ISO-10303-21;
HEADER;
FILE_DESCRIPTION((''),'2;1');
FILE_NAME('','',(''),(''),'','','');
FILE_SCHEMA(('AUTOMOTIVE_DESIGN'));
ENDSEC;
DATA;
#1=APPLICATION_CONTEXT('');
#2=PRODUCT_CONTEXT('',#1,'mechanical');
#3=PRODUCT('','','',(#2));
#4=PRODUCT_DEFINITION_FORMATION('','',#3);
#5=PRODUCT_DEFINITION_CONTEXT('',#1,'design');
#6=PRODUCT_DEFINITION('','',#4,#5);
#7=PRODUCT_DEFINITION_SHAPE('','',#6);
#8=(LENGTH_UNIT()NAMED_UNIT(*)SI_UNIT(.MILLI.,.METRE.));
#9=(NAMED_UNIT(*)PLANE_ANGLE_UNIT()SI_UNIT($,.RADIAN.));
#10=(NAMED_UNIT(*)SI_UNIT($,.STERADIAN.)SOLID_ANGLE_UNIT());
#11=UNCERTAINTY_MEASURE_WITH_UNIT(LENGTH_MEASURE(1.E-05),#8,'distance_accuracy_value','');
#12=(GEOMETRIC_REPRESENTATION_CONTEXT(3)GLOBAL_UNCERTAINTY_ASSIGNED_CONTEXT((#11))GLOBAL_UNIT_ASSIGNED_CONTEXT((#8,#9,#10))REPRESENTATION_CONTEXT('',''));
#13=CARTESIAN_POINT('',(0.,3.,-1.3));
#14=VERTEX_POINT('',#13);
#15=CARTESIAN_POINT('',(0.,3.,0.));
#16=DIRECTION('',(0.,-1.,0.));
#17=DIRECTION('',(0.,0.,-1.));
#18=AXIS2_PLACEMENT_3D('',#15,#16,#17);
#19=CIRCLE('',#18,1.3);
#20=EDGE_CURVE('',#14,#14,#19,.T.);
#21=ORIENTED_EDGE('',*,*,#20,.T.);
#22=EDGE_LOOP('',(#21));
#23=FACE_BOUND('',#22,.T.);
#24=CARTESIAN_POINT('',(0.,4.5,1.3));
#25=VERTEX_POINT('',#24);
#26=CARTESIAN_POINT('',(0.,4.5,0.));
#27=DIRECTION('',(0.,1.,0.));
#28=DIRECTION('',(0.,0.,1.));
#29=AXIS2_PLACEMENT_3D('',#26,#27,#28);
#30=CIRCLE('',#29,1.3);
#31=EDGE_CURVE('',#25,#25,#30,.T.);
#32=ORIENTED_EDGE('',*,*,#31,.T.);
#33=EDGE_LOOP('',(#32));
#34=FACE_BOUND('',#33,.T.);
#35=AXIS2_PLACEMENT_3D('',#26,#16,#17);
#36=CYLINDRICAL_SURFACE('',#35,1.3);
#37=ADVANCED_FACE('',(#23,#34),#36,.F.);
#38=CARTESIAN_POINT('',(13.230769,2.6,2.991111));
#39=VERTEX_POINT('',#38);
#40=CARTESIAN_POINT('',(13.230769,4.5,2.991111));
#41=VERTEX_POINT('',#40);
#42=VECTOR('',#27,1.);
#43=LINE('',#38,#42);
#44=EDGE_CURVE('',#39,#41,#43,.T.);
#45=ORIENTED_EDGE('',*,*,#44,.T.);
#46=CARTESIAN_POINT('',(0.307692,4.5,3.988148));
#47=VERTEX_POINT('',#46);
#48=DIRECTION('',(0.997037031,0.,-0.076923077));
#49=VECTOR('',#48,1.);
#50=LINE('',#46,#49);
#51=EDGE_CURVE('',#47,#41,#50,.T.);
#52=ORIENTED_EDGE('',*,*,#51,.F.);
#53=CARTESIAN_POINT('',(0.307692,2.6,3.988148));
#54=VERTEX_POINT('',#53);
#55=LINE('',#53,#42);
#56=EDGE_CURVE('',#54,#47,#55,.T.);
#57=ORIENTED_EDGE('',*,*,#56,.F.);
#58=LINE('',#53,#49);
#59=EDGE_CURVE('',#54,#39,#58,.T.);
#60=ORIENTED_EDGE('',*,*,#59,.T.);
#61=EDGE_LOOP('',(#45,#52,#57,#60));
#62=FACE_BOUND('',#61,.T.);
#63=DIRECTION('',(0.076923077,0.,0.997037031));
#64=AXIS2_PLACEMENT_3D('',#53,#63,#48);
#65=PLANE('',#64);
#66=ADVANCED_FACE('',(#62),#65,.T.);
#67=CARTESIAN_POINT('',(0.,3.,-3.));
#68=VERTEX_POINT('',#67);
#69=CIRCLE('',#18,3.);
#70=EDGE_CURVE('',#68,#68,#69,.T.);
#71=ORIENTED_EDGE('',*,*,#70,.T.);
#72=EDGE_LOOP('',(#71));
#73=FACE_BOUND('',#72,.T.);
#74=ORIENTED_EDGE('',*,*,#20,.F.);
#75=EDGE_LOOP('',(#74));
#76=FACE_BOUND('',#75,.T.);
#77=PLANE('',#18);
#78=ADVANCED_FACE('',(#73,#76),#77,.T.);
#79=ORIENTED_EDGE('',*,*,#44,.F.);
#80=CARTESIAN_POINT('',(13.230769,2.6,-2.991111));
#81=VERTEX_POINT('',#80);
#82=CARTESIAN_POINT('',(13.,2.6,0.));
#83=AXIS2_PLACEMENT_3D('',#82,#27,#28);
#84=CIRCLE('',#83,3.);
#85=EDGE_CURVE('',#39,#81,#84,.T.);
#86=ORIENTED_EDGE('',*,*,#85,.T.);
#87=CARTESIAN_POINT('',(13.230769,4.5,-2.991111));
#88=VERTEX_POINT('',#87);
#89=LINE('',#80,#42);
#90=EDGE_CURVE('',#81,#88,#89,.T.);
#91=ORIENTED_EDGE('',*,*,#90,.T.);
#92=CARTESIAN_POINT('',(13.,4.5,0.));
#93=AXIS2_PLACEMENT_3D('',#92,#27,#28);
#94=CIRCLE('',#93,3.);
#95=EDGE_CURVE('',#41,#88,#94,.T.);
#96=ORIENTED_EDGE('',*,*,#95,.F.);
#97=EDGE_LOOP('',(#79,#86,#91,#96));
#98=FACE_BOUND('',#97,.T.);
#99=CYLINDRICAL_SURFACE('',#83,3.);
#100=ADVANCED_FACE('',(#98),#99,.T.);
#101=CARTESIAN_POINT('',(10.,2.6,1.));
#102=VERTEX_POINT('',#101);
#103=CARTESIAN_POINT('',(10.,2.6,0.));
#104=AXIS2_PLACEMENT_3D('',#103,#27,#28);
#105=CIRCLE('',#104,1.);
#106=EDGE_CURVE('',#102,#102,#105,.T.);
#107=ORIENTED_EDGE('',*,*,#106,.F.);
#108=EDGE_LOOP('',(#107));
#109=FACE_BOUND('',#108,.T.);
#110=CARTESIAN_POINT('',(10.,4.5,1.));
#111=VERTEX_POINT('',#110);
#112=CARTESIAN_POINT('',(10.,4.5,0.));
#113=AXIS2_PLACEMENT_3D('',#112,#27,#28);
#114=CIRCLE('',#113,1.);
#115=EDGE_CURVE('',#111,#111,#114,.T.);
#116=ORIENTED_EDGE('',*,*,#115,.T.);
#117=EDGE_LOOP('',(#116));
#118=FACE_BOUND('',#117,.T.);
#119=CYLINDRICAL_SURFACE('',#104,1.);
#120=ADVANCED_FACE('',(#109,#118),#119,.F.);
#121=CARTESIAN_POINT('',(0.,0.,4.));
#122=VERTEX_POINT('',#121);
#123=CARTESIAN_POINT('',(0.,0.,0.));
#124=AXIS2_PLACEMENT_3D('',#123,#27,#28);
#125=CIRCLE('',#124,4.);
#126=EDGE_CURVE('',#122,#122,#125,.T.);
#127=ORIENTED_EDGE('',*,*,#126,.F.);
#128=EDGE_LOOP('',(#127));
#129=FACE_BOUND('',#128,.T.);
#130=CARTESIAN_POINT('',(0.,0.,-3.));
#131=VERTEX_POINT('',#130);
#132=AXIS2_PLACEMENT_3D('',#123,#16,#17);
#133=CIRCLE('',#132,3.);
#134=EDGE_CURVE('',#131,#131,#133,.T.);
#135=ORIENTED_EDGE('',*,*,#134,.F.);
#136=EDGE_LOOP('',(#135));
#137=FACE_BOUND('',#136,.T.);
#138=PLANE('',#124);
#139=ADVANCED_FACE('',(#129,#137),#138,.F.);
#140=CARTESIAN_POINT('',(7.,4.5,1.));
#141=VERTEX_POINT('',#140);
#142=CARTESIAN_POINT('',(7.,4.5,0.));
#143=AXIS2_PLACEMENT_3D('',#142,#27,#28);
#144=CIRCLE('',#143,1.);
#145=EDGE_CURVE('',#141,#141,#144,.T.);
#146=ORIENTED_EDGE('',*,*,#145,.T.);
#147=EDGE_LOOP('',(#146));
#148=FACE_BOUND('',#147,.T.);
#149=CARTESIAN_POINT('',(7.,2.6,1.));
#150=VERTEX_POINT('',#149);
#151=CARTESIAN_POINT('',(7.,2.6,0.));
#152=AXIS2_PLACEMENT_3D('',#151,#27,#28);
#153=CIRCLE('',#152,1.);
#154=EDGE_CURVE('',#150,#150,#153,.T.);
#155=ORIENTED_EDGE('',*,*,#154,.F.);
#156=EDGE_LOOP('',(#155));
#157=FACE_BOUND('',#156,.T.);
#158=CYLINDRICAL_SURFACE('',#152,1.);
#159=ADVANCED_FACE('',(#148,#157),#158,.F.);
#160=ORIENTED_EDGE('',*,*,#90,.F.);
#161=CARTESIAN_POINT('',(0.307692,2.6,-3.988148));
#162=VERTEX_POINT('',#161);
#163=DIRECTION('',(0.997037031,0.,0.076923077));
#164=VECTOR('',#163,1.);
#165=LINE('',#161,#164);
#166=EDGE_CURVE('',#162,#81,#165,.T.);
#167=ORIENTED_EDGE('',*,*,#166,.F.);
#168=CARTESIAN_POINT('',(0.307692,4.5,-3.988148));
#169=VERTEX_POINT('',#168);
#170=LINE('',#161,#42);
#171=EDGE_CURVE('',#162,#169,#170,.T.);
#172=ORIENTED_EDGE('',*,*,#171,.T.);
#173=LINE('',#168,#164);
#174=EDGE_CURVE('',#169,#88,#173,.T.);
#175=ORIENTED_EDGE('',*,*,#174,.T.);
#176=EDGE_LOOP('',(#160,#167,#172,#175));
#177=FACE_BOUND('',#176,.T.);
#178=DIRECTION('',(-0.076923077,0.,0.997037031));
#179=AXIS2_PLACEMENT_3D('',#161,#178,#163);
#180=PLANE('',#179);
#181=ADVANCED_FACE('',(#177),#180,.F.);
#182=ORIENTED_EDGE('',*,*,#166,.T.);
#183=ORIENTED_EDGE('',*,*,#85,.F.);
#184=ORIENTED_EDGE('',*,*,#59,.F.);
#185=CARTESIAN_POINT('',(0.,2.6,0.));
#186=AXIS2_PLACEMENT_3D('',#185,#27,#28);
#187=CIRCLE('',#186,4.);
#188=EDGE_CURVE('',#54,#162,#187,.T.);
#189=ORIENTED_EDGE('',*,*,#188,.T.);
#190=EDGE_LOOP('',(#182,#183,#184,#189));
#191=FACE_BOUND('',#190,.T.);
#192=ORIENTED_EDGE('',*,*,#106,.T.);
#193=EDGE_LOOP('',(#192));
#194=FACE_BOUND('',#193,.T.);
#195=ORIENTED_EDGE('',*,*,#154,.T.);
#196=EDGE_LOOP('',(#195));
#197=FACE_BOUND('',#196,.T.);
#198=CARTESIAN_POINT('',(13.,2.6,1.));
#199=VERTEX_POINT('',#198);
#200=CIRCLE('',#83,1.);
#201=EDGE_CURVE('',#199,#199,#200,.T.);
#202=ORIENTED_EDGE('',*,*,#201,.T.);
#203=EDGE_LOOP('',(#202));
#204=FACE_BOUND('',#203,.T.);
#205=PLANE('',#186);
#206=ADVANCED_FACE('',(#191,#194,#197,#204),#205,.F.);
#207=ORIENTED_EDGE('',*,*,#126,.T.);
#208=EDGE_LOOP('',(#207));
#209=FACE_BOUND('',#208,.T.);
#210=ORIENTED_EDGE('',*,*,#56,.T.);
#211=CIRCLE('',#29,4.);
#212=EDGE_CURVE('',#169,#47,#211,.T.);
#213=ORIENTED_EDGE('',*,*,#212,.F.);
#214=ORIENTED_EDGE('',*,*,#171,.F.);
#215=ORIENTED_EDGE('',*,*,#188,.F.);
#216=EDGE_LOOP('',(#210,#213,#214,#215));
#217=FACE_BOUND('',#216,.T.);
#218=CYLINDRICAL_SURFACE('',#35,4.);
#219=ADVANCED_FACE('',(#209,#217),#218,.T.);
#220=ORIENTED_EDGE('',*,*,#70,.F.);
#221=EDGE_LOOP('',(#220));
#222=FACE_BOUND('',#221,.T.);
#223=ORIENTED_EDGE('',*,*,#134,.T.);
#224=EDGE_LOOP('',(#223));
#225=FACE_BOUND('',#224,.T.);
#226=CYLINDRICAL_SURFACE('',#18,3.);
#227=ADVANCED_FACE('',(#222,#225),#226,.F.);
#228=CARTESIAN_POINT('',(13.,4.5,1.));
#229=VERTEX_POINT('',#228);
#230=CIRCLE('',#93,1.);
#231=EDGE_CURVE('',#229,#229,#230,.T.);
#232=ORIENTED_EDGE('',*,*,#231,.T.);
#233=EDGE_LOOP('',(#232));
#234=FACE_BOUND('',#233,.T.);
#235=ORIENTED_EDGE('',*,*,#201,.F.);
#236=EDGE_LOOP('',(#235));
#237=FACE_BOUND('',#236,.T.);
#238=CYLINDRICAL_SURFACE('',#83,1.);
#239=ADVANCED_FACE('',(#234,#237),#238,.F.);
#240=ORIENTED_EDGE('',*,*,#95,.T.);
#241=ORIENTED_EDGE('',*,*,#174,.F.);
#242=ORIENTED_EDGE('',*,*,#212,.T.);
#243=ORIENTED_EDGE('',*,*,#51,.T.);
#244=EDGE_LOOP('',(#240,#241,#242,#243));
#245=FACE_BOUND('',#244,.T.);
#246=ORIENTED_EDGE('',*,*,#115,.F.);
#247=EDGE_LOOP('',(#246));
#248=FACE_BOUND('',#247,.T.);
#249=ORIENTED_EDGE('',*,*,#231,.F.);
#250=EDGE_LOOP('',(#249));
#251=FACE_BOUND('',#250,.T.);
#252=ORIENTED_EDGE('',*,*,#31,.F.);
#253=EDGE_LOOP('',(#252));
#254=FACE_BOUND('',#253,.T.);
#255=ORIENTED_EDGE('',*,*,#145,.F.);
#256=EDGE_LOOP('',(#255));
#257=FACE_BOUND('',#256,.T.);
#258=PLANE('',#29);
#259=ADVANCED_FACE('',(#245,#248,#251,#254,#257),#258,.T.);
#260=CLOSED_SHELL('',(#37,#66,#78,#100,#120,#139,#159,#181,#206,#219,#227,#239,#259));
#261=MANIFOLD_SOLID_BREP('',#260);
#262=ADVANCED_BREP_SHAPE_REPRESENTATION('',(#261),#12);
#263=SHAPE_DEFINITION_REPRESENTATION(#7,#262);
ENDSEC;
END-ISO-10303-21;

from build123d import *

# Parameters (mm, degrees)
SKETCH_1_R          = 4
SKETCH_1_R_2        = 1.3
EXTRUDE_1_DEPTH     = 4.5
SKETCH_2_R          = 1
EXTRUDE_2_DEPTH     = 1.9
SKETCH_3_R          = 3
CUT_EXTRUDE_1_DEPTH = 3


with BuildPart() as part:
    # 草图1 → 凸台-拉伸1 (new body)
    with BuildSketch(Plane(origin=(0, 0, 0), x_dir=(1, 0, 0), z_dir=(0, 1, 0))):
        Circle(SKETCH_1_R)
        Circle(SKETCH_1_R_2, mode=Mode.SUBTRACT)
    extrude(amount=EXTRUDE_1_DEPTH)

    # 草图2 → 凸台-拉伸2 (add)
    with BuildSketch(Plane(origin=(0, 4.5, 0), x_dir=(1, 0, 0), z_dir=(0, 1, 0))):
        with BuildLine():
            Line((13.230769231, 2.991111092), (0.307692308, 3.988148122))
            ThreePointArc((0.307692308, 3.988148122), (4, 0), (0.307692308, -3.988148122))
            Line((0.307692308, -3.988148122), (13.230769231, -2.991111092))
            ThreePointArc((13.230769231, -2.991111092), (16, 0), (13.230769231, 2.991111092))
        make_face()
        with Locations((10, 0)):
            Circle(SKETCH_2_R, mode=Mode.SUBTRACT)
        with Locations((7, 0)):
            Circle(SKETCH_2_R, mode=Mode.SUBTRACT)
        with Locations((13, 0)):
            Circle(SKETCH_2_R, mode=Mode.SUBTRACT)
    extrude(amount=-EXTRUDE_2_DEPTH)

    # 草图3 → 切除-拉伸1 (cut)
    with BuildSketch(Plane.XZ):
        Circle(SKETCH_3_R)
    extrude(amount=-CUT_EXTRUDE_1_DEPTH, mode=Mode.SUBTRACT)


solid = part.part
